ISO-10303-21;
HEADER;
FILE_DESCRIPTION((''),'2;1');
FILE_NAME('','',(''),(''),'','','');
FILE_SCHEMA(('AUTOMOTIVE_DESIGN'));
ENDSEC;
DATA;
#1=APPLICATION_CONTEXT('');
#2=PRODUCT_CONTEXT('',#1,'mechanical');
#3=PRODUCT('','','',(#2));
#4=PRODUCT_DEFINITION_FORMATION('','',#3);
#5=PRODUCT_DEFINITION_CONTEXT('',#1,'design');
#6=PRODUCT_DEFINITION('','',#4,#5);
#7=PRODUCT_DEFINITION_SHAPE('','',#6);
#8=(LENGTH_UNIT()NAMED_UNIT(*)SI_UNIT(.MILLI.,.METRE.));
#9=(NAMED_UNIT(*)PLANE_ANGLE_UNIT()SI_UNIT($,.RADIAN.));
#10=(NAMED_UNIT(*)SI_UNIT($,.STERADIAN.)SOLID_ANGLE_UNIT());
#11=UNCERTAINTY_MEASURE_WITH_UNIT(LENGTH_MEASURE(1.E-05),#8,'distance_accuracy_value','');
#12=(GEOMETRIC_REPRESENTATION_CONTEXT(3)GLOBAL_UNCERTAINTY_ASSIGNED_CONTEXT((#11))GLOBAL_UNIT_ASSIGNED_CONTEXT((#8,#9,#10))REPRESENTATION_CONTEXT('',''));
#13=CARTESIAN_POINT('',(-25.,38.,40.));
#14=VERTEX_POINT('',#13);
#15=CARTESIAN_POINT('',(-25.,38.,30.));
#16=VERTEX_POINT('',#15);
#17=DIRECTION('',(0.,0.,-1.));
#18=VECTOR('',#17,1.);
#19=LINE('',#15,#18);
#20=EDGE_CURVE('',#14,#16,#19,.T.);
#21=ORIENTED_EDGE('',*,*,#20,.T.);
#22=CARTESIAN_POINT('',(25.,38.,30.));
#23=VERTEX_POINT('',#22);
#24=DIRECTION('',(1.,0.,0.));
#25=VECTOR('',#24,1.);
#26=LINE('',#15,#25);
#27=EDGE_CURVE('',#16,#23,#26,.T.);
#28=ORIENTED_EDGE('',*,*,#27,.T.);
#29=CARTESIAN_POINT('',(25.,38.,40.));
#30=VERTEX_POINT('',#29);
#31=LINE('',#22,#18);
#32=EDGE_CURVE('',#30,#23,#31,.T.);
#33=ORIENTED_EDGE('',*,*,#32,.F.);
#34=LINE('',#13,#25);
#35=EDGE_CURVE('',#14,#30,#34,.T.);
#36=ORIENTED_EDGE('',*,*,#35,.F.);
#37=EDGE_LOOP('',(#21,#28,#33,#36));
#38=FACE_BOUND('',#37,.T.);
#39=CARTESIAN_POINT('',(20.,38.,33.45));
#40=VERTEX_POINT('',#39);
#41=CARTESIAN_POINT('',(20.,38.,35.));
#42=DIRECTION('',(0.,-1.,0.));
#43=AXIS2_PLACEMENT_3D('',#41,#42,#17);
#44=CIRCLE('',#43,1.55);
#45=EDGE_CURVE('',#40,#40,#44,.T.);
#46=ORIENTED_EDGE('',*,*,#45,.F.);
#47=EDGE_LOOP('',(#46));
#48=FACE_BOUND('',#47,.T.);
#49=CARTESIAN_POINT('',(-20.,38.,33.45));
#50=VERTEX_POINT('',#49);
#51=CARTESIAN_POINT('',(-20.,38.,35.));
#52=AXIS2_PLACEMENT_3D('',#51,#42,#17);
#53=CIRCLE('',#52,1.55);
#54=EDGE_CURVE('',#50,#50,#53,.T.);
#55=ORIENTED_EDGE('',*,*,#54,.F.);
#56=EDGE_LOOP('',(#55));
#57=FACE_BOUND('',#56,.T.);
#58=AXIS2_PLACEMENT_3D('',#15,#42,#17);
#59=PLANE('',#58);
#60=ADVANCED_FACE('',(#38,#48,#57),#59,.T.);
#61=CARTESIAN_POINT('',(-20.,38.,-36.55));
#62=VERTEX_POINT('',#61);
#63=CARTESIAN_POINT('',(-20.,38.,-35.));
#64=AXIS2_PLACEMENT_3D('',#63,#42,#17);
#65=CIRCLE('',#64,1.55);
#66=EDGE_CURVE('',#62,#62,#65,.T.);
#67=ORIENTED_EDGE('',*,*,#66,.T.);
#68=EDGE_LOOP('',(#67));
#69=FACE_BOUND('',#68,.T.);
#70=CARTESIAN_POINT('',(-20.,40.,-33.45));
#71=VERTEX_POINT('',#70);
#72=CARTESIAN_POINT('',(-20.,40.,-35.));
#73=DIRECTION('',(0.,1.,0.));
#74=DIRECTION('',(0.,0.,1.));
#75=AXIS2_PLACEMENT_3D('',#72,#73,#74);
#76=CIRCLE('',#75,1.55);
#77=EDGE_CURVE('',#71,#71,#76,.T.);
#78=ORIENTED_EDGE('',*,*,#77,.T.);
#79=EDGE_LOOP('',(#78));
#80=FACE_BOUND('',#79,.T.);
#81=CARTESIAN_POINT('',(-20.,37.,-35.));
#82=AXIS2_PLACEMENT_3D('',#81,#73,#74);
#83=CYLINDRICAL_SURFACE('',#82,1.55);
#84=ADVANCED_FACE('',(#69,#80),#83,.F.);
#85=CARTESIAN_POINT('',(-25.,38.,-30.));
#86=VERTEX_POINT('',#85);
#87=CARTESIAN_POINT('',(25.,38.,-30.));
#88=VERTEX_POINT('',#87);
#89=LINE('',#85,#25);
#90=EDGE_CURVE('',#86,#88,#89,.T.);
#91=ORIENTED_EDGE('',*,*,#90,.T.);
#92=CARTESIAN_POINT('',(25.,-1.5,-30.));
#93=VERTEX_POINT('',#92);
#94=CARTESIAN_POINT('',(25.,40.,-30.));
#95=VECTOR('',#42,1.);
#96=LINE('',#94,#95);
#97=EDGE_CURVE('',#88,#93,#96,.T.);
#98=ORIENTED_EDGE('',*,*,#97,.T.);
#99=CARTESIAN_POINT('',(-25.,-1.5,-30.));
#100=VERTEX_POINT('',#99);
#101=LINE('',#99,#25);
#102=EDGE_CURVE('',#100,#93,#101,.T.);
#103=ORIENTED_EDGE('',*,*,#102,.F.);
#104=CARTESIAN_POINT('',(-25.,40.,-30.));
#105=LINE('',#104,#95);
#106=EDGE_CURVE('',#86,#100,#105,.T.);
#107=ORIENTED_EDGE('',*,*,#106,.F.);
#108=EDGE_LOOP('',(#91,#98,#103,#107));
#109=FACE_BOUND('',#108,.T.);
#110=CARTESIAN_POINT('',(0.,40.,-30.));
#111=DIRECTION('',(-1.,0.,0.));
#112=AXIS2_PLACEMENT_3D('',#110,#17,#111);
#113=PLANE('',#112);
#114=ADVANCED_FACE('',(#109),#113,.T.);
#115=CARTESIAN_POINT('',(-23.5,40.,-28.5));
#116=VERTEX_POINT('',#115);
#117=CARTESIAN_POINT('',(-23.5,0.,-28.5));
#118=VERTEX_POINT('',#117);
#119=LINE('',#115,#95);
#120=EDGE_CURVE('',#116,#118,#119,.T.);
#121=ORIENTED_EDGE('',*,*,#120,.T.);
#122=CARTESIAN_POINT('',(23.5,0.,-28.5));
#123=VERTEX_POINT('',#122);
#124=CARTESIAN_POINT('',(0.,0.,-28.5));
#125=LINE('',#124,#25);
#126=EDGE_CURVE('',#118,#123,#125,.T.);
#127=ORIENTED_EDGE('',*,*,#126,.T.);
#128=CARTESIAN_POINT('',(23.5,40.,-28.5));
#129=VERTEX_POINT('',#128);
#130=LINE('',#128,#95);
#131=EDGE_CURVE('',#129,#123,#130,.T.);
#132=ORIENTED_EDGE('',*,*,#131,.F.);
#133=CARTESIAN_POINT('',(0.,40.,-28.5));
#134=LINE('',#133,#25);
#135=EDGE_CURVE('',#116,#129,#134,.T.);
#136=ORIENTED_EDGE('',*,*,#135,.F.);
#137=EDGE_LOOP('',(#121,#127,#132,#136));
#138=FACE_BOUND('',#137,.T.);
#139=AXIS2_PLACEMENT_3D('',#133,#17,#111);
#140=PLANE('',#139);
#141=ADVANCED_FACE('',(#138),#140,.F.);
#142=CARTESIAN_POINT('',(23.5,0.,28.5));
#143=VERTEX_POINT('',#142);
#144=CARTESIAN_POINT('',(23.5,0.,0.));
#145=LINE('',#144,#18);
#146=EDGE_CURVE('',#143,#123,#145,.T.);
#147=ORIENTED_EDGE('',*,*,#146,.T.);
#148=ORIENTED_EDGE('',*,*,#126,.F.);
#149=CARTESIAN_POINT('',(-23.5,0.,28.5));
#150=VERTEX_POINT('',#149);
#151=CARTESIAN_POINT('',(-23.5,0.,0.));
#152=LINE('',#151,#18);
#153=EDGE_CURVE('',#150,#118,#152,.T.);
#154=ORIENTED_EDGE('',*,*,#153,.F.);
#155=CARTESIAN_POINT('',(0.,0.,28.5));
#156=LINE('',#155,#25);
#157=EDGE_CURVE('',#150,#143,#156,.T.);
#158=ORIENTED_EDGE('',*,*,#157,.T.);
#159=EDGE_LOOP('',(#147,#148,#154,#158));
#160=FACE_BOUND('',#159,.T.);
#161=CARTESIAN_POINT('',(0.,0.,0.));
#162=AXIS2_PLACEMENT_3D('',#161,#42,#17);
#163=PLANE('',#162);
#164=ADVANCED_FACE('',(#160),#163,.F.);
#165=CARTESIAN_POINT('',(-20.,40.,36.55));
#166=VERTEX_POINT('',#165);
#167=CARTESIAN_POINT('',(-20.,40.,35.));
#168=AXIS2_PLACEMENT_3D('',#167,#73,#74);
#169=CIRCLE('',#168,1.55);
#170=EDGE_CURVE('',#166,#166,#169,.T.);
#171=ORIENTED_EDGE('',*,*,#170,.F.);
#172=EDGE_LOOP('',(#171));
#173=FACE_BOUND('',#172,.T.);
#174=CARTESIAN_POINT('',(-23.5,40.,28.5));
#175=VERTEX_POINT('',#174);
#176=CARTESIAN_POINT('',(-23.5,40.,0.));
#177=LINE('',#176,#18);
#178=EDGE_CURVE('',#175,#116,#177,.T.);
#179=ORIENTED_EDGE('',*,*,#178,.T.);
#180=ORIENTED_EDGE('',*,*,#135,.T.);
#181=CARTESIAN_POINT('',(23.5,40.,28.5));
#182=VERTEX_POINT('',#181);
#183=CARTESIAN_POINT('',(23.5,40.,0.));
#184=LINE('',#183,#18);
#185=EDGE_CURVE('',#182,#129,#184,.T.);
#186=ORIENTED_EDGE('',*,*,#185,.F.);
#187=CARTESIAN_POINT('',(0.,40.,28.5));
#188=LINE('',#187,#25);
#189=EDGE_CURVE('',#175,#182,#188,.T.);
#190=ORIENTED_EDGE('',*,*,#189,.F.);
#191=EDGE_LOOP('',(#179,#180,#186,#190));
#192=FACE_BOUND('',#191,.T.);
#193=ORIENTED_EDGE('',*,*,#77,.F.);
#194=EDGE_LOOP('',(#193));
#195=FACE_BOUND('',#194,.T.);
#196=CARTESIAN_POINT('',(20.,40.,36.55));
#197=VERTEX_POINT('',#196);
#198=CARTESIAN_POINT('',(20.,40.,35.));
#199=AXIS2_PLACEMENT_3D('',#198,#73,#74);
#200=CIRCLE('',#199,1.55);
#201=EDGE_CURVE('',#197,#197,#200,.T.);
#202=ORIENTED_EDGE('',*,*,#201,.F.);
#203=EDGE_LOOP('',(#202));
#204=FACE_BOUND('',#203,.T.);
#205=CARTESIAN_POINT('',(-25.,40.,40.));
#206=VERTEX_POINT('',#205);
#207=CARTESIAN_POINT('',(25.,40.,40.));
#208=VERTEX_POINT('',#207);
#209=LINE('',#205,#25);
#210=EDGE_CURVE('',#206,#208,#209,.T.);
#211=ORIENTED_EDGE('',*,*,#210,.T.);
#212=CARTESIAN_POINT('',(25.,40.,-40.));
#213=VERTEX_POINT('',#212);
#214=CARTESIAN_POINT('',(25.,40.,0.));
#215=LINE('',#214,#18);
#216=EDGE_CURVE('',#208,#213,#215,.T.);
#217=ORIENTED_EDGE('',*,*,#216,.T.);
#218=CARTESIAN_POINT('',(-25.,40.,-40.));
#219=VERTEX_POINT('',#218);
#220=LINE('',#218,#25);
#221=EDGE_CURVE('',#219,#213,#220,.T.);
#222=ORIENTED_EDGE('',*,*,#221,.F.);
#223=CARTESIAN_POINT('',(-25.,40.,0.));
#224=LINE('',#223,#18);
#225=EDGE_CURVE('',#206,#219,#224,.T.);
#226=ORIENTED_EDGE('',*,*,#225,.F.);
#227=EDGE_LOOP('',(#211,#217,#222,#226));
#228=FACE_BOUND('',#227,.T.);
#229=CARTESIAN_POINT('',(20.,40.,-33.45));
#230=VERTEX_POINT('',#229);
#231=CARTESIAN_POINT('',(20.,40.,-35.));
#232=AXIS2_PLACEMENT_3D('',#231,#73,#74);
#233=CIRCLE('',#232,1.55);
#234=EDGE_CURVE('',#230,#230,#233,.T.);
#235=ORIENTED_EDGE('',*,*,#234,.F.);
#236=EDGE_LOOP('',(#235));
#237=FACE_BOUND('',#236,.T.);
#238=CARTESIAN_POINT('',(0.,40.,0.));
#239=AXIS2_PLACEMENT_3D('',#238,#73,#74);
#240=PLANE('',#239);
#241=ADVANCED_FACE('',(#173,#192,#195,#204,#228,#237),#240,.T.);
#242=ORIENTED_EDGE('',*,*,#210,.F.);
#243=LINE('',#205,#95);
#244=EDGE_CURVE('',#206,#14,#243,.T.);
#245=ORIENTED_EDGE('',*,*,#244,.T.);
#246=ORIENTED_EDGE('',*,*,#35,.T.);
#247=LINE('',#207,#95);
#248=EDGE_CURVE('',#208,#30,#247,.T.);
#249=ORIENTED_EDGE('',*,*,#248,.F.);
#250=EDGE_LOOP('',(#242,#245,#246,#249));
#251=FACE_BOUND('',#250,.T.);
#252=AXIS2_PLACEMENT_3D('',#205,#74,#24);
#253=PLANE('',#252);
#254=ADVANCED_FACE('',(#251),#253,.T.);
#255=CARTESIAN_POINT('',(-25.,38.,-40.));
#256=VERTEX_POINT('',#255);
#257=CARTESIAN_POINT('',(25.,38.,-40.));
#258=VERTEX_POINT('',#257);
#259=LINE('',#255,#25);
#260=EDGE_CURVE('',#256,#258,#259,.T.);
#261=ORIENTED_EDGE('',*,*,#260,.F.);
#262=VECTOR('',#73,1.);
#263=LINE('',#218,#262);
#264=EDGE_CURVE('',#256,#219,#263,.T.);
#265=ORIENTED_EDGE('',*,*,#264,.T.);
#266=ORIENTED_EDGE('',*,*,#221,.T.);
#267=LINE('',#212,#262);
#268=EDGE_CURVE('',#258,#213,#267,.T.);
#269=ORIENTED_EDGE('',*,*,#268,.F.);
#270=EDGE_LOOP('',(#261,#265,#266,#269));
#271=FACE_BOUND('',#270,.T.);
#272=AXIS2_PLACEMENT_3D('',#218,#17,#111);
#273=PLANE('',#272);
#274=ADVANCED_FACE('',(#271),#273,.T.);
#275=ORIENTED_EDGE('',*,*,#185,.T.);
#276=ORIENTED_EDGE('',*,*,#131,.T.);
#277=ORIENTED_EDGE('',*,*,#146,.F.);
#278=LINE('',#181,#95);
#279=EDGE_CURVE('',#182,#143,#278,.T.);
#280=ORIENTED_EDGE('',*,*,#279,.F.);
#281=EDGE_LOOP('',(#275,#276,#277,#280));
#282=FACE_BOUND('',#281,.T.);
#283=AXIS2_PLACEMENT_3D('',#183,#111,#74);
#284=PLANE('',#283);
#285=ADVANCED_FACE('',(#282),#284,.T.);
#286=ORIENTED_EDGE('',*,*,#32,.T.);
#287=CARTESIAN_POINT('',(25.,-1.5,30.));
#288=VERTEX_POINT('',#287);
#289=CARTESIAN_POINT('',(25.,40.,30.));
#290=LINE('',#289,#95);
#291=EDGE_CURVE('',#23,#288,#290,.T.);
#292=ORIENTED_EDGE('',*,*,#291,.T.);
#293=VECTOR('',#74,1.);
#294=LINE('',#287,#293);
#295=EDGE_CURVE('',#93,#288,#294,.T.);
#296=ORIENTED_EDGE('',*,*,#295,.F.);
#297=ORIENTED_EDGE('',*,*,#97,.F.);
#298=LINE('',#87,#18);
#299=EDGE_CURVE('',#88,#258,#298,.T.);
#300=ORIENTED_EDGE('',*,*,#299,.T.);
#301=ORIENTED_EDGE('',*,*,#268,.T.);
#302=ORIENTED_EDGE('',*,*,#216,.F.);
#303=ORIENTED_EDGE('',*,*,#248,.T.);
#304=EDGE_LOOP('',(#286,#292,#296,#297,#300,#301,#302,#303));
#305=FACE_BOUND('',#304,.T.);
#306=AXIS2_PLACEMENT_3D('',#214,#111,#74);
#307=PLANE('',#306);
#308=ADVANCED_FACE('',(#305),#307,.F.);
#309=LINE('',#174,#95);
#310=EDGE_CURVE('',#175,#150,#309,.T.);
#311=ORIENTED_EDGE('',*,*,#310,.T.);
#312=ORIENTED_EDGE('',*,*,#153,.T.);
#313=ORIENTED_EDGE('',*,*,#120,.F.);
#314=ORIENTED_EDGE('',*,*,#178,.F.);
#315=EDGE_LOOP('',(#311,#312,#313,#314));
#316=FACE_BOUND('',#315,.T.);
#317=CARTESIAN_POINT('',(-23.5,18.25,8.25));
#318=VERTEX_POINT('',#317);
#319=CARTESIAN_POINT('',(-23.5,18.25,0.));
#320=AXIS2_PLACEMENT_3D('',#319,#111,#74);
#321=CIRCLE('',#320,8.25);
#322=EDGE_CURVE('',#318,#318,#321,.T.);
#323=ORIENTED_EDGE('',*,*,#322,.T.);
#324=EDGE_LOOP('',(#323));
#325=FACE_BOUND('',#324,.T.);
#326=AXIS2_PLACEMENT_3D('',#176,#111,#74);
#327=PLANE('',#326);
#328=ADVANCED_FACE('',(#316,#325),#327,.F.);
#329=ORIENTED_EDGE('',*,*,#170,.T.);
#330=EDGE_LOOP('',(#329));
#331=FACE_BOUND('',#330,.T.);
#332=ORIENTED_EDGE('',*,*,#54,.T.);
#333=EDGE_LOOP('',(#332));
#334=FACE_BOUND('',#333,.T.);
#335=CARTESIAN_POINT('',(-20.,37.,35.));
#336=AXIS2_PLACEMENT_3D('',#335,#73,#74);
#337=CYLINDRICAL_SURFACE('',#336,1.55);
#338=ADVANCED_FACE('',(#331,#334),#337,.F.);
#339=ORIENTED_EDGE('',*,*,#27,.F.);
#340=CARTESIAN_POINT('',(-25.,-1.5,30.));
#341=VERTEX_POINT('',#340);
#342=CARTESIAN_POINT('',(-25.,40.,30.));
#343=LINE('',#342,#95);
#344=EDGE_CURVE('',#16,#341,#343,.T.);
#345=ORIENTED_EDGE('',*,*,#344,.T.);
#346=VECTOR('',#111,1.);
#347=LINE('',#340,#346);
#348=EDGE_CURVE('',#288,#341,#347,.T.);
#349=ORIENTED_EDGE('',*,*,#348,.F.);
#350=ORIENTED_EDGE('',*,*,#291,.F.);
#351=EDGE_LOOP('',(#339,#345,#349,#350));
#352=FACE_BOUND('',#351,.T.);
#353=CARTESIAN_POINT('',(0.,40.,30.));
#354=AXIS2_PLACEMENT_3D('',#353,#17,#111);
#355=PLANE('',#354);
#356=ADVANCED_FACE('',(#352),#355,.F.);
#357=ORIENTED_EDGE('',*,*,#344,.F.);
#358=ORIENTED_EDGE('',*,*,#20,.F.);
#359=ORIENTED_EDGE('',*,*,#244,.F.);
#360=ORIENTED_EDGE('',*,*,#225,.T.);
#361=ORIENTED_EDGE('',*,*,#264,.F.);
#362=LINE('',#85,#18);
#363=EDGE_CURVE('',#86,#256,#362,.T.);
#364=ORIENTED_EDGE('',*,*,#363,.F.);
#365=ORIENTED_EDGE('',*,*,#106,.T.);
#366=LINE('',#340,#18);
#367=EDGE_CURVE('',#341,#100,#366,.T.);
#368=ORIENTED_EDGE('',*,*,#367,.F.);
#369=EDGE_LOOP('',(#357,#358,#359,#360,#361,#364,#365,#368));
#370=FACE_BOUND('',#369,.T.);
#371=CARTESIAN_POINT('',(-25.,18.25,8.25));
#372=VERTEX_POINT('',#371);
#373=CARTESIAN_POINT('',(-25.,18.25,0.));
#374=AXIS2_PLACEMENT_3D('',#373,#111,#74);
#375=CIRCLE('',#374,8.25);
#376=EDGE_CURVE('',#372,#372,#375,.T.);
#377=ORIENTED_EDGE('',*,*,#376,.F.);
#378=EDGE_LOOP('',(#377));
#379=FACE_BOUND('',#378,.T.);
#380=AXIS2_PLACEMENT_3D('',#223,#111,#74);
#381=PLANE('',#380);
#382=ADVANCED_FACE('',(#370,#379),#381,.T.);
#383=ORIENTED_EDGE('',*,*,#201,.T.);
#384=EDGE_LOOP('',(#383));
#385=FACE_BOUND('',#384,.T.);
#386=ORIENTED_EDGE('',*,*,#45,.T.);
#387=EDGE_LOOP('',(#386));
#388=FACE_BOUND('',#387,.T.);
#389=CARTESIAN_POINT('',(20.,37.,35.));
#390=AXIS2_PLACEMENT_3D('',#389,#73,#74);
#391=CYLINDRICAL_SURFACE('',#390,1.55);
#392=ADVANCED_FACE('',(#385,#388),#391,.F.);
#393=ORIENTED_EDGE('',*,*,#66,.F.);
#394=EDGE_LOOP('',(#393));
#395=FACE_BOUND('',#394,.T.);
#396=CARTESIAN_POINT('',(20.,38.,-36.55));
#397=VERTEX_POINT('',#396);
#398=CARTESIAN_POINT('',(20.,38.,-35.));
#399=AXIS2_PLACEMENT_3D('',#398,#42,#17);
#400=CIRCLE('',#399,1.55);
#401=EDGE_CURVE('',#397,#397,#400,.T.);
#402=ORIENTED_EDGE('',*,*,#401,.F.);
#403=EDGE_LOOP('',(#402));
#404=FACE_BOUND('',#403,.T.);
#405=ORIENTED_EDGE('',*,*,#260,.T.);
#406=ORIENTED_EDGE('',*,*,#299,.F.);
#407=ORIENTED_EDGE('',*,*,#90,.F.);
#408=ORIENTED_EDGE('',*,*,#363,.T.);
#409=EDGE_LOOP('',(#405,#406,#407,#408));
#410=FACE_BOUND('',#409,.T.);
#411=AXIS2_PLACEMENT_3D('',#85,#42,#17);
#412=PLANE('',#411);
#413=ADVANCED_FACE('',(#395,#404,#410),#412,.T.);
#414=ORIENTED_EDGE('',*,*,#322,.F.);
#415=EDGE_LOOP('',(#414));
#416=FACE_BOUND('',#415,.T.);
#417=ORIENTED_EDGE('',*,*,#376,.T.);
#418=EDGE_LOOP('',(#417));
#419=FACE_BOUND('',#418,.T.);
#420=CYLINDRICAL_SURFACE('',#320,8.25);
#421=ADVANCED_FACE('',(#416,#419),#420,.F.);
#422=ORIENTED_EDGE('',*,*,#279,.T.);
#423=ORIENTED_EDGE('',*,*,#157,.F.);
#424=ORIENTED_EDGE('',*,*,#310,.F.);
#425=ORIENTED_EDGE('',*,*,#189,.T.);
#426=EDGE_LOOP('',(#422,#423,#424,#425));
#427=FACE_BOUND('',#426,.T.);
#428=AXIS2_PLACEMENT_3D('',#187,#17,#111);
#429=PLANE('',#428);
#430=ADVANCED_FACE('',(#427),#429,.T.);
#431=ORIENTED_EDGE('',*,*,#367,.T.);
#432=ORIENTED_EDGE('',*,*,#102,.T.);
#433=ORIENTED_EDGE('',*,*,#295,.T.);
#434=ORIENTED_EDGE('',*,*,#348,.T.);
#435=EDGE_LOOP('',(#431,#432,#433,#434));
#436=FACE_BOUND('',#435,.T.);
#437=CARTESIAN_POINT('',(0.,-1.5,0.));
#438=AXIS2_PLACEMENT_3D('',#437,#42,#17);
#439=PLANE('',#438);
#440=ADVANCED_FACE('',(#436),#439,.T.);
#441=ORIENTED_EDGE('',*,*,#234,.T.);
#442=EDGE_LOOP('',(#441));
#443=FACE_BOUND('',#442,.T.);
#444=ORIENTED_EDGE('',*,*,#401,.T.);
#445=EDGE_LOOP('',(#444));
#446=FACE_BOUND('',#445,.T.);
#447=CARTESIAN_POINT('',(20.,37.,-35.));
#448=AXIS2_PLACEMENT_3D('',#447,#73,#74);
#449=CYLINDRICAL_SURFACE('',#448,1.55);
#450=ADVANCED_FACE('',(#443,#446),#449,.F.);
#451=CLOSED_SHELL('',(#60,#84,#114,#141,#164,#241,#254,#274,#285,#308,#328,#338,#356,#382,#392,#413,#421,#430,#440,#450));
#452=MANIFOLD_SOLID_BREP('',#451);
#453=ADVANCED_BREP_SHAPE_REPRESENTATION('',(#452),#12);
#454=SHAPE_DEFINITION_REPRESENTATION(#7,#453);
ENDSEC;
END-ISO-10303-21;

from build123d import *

# Parameters (mm, degrees)
SKETCH1_W           = 50
SKETCH1_H           = 60
SKETCH1_W_2         = 47
SKETCH1_H_2         = 57
BOSS_EXTRUDE6_DEPTH = 40
SKETCH7_W           = 50
SKETCH7_H           = 60
BOSS_EXTRUDE8_DEPTH = 1.5
SKETCH8_W           = 10
SKETCH8_H           = 2
BOSS_EXTRUDE9_DEPTH = 50
SKETCH9_R           = 1.55
CUT_EXTRUDE1_DEPTH  = 3
SKETCH11_R          = 8.25
CUT_EXTRUDE3_DEPTH  = 1.5


with BuildPart() as part:
    # Sketch1 → Boss-Extrude6 (new body)
    with BuildSketch(Plane(origin=(0, 0, 0), x_dir=(1, 0, 0), z_dir=(0, 1, 0))):
        Rectangle(SKETCH1_W, SKETCH1_H)
        Rectangle(SKETCH1_W_2, SKETCH1_H_2, mode=Mode.SUBTRACT)
    extrude(amount=BOSS_EXTRUDE6_DEPTH)

    # Sketch7 → Boss-Extrude8 (add)
    with BuildSketch(Plane.XZ):
        Rectangle(SKETCH7_W, SKETCH7_H)
    extrude(amount=BOSS_EXTRUDE8_DEPTH)

    # Sketch8 → Boss-Extrude9 (add)
    with BuildSketch(Plane(origin=(25, 0, 0), x_dir=(0, 0, -1), z_dir=(1, 0, 0))):
        with Locations((-35, 39)):
            Rectangle(SKETCH8_W, SKETCH8_H)
        with Locations((35, 39)):
            Rectangle(SKETCH8_W, SKETCH8_H)
    extrude(amount=-BOSS_EXTRUDE9_DEPTH)

    # Sketch9 → Cut-Extrude1 (cut)
    with BuildSketch(Plane(origin=(0, 40, 0), x_dir=(1, 0, 0), z_dir=(0, 1, 0))):
        with Locations(Location((-20, 35, 0), (0, 0, 270))):
            Circle(SKETCH9_R)
        with Locations(Location((20, 35, 0), (0, 0, 270))):
            Circle(SKETCH9_R)
        with Locations(Location((20, -35, 0), (0, 0, 270))):
            Circle(SKETCH9_R)
        with Locations(Location((-20, -35, 0), (0, 0, 270))):
            Circle(SKETCH9_R)
    extrude(amount=-CUT_EXTRUDE1_DEPTH, mode=Mode.SUBTRACT)

    # Sketch11 → Cut-Extrude3 (cut)
    with BuildSketch(Plane.ZY.offset(25)):
        with Locations((0, 18.25)):
            Circle(SKETCH11_R)
    extrude(amount=-CUT_EXTRUDE3_DEPTH, mode=Mode.SUBTRACT)


solid = part.part
